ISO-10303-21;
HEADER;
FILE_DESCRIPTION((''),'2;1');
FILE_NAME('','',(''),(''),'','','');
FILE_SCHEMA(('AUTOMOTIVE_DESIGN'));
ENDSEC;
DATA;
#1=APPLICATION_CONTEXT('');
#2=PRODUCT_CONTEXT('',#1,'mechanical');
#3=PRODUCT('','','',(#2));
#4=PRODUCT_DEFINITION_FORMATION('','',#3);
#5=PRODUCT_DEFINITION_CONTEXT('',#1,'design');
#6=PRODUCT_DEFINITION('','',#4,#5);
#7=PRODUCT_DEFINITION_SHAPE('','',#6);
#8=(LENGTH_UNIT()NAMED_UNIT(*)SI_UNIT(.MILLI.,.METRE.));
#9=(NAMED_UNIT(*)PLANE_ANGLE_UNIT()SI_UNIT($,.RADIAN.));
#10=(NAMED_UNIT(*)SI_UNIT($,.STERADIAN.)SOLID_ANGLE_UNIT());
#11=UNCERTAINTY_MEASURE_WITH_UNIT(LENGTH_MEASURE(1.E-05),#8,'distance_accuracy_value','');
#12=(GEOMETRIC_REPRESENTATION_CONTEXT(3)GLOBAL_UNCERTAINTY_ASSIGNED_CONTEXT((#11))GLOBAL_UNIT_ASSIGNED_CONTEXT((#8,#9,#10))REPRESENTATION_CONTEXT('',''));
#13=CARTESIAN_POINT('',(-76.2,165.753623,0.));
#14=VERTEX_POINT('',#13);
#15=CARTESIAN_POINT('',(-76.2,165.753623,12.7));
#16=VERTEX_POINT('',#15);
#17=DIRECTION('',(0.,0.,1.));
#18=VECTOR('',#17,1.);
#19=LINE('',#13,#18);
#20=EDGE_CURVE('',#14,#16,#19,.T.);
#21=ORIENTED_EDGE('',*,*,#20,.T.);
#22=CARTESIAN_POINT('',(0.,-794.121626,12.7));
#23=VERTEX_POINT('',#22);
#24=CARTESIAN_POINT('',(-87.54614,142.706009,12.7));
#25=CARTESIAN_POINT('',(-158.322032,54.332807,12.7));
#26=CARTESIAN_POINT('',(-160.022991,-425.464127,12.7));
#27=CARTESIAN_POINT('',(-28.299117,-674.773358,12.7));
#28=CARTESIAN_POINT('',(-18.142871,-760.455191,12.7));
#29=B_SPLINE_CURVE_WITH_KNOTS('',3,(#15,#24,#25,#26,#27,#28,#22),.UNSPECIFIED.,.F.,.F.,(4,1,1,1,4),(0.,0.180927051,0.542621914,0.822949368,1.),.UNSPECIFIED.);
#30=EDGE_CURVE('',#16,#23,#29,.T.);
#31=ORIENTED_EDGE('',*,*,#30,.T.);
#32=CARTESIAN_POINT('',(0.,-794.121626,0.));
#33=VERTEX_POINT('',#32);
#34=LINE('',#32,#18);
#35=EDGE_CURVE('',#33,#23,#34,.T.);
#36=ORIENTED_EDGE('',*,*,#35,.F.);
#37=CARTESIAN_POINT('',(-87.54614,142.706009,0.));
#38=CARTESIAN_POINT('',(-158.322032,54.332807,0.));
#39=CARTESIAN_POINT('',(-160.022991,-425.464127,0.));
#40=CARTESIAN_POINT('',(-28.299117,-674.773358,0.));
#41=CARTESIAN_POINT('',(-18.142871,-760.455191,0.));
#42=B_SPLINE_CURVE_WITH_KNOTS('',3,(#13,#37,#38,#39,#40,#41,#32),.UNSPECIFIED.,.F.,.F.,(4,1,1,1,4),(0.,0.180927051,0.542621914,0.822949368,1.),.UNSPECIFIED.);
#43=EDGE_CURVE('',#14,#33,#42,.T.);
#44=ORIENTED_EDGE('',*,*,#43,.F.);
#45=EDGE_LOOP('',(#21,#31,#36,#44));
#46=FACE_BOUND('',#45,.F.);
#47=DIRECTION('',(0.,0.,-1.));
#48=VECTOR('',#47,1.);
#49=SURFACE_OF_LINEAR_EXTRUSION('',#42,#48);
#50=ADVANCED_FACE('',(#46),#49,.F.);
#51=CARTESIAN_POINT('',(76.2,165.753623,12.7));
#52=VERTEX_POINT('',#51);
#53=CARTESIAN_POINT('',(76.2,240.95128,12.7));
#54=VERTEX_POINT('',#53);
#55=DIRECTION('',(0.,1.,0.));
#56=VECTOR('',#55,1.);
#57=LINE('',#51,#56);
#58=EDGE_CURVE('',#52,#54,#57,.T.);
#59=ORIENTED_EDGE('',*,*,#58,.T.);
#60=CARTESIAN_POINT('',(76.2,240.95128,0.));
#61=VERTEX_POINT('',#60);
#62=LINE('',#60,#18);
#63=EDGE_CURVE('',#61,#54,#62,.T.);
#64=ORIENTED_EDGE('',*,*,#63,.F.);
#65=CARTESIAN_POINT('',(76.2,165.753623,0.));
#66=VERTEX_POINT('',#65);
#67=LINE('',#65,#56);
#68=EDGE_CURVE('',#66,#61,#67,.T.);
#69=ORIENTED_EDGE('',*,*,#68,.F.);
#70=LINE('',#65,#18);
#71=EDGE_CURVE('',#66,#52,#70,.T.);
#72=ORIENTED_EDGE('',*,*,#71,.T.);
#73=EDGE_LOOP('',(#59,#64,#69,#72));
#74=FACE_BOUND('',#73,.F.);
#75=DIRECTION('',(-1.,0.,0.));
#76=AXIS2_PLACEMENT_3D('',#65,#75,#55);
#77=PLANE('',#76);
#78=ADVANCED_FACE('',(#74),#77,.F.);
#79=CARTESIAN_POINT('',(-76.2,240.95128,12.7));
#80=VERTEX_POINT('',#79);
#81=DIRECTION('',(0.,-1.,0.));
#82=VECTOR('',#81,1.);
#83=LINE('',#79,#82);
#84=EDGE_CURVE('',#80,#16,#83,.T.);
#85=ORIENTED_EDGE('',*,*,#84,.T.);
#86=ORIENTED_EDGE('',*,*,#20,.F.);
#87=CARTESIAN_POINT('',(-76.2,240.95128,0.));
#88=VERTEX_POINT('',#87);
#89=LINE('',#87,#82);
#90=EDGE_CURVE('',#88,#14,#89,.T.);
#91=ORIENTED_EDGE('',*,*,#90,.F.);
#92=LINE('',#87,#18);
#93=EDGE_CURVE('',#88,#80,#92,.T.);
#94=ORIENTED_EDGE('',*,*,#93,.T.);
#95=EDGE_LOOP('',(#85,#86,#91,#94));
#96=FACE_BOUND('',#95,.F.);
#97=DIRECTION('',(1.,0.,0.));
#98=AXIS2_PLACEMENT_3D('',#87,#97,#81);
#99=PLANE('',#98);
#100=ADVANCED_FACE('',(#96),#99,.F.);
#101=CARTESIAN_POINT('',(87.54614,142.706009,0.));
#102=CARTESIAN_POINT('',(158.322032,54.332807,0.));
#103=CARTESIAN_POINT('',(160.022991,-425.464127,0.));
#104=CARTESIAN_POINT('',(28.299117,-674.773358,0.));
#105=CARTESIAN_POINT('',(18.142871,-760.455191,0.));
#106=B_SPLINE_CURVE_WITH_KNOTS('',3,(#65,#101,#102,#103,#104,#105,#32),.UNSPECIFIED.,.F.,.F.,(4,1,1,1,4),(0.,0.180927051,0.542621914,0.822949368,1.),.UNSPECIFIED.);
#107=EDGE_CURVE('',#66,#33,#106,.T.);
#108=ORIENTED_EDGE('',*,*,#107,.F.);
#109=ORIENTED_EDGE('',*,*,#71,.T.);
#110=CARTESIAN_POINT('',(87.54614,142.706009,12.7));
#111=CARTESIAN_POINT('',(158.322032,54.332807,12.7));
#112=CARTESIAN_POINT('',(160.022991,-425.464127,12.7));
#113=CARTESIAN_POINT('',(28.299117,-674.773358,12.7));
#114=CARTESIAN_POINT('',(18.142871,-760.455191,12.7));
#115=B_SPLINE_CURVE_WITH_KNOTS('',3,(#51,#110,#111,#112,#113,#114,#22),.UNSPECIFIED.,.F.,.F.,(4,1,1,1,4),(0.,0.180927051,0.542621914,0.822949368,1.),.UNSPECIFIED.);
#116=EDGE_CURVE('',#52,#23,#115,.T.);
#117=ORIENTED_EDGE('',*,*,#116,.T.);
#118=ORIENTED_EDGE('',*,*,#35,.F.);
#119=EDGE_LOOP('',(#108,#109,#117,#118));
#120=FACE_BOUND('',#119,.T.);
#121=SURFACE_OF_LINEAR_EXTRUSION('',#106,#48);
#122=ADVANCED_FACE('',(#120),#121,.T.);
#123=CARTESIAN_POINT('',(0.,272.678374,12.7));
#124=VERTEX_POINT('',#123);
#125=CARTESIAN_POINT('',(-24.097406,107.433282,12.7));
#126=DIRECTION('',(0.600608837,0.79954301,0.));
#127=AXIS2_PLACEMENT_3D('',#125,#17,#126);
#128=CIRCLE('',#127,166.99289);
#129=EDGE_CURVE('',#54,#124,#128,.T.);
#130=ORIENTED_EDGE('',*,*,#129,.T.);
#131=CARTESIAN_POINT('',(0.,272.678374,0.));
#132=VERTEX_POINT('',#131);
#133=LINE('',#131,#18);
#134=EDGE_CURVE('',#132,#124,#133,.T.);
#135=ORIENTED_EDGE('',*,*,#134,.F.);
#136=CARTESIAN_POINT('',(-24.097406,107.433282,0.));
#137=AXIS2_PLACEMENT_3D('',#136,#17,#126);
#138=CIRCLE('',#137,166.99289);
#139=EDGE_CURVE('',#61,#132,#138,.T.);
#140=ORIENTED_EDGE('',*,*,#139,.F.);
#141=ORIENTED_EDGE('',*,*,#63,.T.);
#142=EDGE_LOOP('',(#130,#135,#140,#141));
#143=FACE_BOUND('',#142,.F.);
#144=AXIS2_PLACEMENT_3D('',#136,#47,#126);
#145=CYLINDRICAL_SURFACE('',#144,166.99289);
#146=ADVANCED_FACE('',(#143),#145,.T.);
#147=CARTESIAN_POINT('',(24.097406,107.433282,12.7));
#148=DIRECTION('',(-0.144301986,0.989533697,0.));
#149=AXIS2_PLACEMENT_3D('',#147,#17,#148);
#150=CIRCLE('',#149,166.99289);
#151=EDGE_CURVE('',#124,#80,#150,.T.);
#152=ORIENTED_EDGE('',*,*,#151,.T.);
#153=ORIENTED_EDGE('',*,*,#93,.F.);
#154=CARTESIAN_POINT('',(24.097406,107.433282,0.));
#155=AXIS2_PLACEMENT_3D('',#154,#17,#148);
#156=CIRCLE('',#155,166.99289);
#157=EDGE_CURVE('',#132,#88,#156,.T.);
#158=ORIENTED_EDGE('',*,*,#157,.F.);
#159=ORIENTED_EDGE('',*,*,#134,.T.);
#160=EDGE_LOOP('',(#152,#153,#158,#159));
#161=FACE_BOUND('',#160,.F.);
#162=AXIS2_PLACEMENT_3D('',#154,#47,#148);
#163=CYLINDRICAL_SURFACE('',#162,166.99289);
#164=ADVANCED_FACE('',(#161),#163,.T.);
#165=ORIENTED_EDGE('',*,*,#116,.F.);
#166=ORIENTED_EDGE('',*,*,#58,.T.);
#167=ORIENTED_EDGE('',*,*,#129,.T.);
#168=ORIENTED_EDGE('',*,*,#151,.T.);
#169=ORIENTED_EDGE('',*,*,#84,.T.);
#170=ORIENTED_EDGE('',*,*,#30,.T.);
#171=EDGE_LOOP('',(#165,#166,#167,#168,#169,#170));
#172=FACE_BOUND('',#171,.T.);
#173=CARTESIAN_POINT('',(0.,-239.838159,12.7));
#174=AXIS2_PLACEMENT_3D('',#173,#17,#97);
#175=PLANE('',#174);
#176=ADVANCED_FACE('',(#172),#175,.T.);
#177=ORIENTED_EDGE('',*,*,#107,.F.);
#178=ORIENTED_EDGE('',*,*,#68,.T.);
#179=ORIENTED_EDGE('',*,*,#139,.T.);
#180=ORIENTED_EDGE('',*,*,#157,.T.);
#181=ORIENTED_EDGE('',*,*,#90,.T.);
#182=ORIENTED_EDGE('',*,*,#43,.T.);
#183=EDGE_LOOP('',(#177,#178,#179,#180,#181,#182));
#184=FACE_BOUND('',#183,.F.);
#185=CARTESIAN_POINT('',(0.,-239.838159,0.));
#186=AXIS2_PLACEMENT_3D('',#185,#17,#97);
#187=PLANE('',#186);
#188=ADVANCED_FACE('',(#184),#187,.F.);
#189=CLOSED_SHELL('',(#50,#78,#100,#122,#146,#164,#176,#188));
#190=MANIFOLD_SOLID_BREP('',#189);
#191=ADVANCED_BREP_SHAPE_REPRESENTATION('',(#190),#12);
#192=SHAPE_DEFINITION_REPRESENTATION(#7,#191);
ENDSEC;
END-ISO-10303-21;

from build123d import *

# Parameters (mm, degrees)
F1_DEPTH = 12.7


with BuildPart() as f1:
    # F0 (on Top) → F1 (new body)
    with BuildSketch(Plane.XY):
        with BuildLine():
            Line((-76.2, 240.9512801597), (-76.2, 165.7536232223))
            add(Edge.make_bspline(
                [(-76.2, 165.7536232223), (-87.5461395236, 142.7060091543), (-158.322032287, 54.332806781), (-160.0229913718, -425.4641270136), (-28.2991169966, -674.7733581716), (-18.1428712038, -760.455191216), (0, -794.1216259309)],
                knots=[0, 0, 0, 0, 0.1809270507, 0.5426219142, 0.8229493678, 1, 1, 1, 1], degree=3))
            add(Edge.make_bspline(
                [(76.2, 165.7536232223), (87.5461395236, 142.7060091543), (158.322032287, 54.332806781), (160.0229913718, -425.4641270136), (28.2991169966, -674.7733581716), (18.1428712038, -760.455191216), (0, -794.1216259309)],
                knots=[0, 0, 0, 0, 0.1809270507, 0.5426219142, 0.8229493678, 1, 1, 1, 1], degree=3))
            Line((76.2, 165.7536232223), (76.2, 240.9512801597))
            ThreePointArc((76.2, 240.9512801597), (40.0911399896, 261.5970132056), (0, 272.6783740691))
            ThreePointArc((0, 272.6783740691), (-40.0911399896, 261.5970132056), (-76.2, 240.9512801597))
        make_face()
    extrude(amount=F1_DEPTH)


solid = f1.part
